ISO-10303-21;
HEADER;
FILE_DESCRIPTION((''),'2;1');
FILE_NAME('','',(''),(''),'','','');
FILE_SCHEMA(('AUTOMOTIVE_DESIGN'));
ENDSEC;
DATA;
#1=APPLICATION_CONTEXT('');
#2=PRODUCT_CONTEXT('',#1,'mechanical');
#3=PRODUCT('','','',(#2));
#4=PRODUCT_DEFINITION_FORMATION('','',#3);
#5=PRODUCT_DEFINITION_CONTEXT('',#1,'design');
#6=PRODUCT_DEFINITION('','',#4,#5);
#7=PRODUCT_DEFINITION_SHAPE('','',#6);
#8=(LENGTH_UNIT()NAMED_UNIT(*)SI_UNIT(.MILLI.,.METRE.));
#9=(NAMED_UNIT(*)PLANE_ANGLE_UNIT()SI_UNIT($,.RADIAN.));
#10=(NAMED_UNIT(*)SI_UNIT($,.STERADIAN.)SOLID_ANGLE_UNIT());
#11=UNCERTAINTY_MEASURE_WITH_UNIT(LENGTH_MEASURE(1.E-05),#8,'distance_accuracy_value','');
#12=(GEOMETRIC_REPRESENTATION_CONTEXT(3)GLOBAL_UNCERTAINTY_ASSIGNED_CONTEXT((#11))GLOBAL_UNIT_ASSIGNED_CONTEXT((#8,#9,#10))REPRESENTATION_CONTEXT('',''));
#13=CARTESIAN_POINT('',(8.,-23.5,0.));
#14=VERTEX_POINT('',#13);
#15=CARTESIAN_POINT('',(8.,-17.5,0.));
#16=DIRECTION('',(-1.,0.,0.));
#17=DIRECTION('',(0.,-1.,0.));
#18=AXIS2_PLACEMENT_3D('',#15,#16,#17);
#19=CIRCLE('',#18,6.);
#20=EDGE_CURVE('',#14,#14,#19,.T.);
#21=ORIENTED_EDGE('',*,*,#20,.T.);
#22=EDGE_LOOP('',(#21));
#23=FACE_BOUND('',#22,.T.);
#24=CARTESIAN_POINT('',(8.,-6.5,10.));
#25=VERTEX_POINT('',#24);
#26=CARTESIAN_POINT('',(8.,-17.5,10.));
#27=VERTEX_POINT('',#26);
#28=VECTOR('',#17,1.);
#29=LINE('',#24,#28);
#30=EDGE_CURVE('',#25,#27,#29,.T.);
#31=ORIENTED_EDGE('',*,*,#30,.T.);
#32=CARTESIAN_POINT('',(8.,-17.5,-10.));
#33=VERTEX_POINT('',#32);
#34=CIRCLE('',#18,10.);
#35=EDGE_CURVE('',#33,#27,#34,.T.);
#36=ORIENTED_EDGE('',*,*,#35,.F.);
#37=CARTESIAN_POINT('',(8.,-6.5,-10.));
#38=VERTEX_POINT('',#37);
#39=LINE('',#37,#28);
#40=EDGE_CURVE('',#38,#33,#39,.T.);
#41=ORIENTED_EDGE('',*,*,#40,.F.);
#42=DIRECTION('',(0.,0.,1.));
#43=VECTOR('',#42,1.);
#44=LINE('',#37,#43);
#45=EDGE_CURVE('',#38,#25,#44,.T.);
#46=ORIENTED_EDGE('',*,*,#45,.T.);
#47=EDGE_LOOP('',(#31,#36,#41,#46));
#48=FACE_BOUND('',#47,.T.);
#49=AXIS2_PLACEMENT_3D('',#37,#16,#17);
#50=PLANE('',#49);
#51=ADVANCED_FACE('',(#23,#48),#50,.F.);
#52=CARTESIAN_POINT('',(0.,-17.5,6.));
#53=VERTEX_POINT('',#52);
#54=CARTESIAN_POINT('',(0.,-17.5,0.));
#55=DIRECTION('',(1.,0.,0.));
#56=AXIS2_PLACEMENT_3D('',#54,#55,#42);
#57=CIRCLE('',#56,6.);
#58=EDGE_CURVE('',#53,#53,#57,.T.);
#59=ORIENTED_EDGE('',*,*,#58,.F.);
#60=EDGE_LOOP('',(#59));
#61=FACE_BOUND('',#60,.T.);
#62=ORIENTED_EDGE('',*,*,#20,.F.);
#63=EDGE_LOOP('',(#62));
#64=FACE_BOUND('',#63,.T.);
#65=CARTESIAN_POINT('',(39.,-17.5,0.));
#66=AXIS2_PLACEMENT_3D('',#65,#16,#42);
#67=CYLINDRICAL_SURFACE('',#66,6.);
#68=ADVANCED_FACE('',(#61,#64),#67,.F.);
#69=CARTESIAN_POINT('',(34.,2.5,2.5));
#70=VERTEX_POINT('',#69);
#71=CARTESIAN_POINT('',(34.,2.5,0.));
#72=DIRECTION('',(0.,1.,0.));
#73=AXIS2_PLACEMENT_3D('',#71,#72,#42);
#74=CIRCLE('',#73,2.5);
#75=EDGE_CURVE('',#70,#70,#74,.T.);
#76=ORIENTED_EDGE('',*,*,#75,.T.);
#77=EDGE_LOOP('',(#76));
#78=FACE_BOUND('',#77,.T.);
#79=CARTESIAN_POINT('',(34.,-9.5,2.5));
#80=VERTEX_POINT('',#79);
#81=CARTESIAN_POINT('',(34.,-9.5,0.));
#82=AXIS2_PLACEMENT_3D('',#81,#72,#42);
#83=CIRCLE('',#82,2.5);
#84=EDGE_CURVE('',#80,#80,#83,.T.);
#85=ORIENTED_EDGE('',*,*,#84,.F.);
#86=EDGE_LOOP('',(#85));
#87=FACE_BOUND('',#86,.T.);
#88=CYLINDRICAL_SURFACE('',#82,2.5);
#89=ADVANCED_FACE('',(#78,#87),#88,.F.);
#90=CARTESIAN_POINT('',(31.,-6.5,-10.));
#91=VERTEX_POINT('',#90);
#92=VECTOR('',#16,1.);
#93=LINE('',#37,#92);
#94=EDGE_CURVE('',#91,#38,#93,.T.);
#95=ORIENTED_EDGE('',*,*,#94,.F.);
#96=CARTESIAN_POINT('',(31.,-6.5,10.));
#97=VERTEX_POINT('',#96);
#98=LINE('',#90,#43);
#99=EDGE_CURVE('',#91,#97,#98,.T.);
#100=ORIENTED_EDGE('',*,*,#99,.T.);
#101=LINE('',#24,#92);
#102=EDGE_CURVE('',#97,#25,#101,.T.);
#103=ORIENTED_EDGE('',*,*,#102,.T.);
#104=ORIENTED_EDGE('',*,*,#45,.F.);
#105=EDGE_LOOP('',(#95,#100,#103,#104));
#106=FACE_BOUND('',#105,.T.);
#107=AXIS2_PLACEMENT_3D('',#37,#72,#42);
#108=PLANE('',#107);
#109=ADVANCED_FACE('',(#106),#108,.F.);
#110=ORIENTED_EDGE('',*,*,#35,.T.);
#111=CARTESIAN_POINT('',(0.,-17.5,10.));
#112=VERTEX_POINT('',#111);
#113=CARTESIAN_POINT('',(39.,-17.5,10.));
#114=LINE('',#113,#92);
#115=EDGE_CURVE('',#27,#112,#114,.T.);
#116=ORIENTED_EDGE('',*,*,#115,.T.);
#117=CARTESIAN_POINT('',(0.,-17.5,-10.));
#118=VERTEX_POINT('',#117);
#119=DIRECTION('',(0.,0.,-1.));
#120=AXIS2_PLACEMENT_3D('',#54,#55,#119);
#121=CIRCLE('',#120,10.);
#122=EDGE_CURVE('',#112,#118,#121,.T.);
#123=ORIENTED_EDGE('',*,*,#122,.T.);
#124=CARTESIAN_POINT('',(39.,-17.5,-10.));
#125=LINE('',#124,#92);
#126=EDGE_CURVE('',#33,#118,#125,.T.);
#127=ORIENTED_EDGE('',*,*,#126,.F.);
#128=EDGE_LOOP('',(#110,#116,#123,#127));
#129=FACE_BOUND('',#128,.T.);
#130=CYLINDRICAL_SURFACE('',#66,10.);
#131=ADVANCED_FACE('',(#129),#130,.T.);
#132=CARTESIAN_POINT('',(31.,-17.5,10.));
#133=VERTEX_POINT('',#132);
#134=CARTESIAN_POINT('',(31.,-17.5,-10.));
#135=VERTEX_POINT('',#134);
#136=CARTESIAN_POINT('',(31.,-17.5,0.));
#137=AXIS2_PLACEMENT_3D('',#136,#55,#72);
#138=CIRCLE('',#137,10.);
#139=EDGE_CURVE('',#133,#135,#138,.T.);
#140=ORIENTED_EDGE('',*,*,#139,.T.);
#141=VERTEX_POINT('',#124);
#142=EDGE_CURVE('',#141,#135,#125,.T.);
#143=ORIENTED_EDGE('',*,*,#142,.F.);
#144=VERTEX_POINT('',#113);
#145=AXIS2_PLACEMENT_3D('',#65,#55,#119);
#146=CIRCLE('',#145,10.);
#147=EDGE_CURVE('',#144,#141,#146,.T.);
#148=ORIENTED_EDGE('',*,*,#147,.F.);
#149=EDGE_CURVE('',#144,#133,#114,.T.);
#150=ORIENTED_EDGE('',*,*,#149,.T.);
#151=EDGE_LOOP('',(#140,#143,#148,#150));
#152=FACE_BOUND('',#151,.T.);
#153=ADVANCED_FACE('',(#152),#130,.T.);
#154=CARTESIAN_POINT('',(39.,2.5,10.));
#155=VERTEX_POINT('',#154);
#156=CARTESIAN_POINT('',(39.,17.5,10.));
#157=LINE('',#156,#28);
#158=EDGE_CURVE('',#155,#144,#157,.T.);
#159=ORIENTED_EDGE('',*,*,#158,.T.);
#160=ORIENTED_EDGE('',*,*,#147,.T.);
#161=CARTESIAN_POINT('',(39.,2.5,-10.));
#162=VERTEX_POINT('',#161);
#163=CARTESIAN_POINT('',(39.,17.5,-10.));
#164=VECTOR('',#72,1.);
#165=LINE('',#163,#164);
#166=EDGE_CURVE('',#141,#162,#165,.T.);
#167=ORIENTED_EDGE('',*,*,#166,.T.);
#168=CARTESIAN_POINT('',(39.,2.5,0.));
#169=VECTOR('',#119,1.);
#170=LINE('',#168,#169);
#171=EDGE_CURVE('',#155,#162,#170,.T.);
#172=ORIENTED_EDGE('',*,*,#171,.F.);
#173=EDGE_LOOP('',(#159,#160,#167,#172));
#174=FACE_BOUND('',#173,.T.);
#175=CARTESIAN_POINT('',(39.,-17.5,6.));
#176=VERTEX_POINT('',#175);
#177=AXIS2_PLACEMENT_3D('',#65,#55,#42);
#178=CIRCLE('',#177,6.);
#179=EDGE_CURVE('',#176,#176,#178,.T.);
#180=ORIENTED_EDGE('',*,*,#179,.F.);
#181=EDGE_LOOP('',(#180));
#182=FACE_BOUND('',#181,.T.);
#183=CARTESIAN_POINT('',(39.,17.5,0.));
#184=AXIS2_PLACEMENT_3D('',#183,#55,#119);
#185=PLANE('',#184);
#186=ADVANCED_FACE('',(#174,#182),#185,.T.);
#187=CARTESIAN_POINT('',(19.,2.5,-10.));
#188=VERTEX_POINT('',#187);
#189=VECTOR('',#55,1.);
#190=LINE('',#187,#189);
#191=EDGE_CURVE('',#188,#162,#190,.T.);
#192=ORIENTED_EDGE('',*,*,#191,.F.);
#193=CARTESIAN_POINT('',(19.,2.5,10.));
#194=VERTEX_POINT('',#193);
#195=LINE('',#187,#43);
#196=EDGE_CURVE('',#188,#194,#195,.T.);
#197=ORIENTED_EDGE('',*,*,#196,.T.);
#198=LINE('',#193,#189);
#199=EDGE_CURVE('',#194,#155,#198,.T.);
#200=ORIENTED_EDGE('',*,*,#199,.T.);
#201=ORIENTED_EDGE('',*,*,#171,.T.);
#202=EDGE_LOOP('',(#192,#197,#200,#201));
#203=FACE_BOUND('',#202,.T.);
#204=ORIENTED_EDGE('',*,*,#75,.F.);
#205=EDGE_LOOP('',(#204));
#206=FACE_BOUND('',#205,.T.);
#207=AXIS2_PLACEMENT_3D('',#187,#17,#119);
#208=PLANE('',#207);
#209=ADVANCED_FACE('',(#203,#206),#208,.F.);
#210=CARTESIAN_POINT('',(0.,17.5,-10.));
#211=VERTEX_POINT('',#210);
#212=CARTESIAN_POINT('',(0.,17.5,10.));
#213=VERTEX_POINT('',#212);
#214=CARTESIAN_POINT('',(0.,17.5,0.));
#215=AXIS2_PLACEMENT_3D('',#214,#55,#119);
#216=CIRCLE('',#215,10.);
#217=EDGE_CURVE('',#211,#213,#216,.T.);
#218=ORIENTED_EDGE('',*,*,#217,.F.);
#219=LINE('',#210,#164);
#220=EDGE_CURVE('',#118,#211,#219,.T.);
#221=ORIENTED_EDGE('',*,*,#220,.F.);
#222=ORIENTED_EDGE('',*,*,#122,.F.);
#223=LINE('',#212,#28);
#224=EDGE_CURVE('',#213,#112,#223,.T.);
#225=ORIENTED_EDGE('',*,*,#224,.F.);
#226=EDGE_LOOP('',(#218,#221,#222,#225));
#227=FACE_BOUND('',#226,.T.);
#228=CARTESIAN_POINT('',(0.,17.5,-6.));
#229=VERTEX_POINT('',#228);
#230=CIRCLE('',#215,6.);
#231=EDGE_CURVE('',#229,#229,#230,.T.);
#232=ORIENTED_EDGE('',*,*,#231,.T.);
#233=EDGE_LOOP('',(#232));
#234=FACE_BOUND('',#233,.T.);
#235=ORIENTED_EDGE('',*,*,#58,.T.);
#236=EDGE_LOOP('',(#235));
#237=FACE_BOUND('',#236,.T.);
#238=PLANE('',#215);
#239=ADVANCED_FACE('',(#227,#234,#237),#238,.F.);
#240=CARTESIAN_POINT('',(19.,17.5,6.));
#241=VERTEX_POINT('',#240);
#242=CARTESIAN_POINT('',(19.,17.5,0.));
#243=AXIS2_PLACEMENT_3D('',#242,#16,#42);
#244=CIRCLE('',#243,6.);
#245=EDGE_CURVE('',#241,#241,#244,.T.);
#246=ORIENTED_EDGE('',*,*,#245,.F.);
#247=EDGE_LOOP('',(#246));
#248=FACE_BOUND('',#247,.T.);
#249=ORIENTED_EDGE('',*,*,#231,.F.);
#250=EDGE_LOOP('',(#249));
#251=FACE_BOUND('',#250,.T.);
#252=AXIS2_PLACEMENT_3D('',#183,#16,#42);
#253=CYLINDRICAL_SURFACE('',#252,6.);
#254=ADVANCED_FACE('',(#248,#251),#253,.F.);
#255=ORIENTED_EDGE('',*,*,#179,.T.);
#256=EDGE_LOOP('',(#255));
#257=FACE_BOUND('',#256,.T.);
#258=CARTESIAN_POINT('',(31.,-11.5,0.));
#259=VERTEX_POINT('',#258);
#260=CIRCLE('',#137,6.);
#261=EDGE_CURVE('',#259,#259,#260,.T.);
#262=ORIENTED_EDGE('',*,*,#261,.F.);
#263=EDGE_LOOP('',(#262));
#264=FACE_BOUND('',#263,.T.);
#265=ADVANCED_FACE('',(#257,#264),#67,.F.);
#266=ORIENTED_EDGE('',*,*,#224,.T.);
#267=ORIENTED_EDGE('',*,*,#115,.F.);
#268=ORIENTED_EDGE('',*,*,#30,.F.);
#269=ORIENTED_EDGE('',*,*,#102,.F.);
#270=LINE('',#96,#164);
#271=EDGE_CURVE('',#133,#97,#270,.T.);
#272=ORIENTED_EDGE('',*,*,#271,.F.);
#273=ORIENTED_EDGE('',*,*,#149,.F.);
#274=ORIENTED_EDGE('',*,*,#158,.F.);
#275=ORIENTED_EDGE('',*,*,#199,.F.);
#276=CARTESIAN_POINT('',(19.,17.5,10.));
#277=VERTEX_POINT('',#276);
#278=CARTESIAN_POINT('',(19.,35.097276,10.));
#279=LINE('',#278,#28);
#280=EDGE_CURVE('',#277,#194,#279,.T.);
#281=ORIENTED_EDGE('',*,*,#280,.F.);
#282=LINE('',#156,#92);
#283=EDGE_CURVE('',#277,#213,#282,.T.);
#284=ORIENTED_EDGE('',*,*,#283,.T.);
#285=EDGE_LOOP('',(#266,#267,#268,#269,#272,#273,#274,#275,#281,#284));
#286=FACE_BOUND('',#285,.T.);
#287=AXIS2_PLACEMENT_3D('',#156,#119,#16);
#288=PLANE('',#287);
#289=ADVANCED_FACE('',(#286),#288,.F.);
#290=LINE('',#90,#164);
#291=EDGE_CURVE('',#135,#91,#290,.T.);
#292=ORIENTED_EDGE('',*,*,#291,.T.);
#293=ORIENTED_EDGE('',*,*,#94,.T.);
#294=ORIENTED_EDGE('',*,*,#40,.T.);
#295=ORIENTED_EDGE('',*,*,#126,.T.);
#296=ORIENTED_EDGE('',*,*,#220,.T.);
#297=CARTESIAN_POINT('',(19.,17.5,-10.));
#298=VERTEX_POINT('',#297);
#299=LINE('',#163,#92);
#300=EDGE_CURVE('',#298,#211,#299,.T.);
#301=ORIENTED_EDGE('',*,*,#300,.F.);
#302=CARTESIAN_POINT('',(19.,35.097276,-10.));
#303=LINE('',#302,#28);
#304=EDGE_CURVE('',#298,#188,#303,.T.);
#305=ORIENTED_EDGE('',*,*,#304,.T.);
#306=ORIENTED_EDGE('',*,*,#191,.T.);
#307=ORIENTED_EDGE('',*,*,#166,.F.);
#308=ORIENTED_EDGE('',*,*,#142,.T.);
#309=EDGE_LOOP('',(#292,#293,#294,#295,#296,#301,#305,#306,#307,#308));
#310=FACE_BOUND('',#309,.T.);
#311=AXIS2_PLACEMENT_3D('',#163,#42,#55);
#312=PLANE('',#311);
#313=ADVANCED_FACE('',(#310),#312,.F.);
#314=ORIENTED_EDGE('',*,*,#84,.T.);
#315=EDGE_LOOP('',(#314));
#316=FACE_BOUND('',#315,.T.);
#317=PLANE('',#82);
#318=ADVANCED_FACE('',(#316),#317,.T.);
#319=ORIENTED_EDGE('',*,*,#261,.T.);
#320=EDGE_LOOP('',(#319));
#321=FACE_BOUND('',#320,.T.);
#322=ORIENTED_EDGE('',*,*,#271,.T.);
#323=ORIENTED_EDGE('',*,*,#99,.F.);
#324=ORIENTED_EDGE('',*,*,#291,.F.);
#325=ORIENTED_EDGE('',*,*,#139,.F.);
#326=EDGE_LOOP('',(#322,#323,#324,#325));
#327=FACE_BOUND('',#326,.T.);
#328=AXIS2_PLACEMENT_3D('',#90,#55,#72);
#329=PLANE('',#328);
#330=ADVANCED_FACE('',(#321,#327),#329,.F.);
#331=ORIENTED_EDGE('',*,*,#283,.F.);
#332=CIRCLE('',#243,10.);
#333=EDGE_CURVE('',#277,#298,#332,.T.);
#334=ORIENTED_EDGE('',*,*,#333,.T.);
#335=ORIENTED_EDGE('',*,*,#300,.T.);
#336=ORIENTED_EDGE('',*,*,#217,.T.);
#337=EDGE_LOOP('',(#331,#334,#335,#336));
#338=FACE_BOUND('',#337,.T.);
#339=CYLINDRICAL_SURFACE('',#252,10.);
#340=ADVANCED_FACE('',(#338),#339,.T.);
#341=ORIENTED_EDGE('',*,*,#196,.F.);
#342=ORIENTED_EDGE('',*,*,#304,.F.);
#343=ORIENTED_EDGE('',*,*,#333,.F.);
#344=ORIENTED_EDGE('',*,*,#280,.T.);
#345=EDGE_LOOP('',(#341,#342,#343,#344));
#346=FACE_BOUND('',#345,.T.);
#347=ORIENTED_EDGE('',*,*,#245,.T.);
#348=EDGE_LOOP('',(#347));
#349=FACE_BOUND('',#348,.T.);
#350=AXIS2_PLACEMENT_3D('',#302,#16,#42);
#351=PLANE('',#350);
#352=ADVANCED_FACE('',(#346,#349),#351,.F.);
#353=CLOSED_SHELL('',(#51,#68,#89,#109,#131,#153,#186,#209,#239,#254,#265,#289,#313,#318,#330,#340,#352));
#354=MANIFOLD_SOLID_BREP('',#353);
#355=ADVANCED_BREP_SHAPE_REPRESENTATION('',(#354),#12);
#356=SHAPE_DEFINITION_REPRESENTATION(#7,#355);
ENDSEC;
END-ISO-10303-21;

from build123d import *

# Parameters (mm, degrees)
SKETCH_1_R               = 6
EXTRUDE_1_DEPTH          = 39
CUT_EXTRUDE_1_DEPTH      = 49.757050772
CUT_EXTRUDE_1_DEPTH_BACK = 49.757050772
SKETCH_2_W               = 23
SKETCH_2_H               = 34.092407746
CUT_EXTRUDE_2_DEPTH      = 49.757050772
CUT_EXTRUDE_2_DEPTH_BACK = 49.757050772
SKETCH_3_W               = 43.713213687
SKETCH_3_H               = 32.597275916
SKETCH_4_R               = 2.5
CUT_EXTRUDE_3_DEPTH      = 12


with BuildPart() as part:
    # Эскиз1 → Бобышка-Вытянуть1 (new body)
    with BuildSketch(Plane(origin=(0, 0, 0), x_dir=(0, 0, -1), z_dir=(1, 0, 0))):
        with BuildLine():
            Line((10, 17.5), (10, -17.5))
            ThreePointArc((10, -17.5), (0, -27.5), (-10, -17.5))
            Line((-10, -17.5), (-10, 17.5))
            ThreePointArc((-10, 17.5), (0, 27.5), (10, 17.5))
        make_face()
        with Locations((0, 17.5)):
            Circle(SKETCH_1_R, mode=Mode.SUBTRACT)
        with Locations(Location((0, -17.5, 0), (0, 0, 180))):
            Circle(SKETCH_1_R, mode=Mode.SUBTRACT)
    extrude(amount=EXTRUDE_1_DEPTH)

    # Эскиз2 → Вырез-Вытянуть1 (cut, two sides: drawn at the far end of the back side and taken through both)
    with BuildSketch(Plane.XY.offset(-CUT_EXTRUDE_1_DEPTH_BACK)):
        with Locations((19.5, -23.546203873)):
            Rectangle(SKETCH_2_W, SKETCH_2_H)
    extrude(amount=CUT_EXTRUDE_1_DEPTH + CUT_EXTRUDE_1_DEPTH_BACK, mode=Mode.SUBTRACT)

    # Эскиз3 → Вырез-Вытянуть2 (cut, two sides: drawn at the far end of the back side and taken through both)
    with BuildSketch(Plane.XY.offset(-CUT_EXTRUDE_2_DEPTH_BACK)):
        with Locations((40.856606844, 18.798637958)):
            Rectangle(SKETCH_3_W, SKETCH_3_H)
    extrude(amount=CUT_EXTRUDE_2_DEPTH + CUT_EXTRUDE_2_DEPTH_BACK, mode=Mode.SUBTRACT)

    # Эскиз4 → Вырез-Вытянуть3 (cut)
    with BuildSketch(Plane(origin=(0, 2.5, 0), x_dir=(1, 0, 0), z_dir=(0, 1, 0))):
        with Locations(Location((34, 0, 0), (0, 0, 270))):
            Circle(SKETCH_4_R)
    extrude(amount=-CUT_EXTRUDE_3_DEPTH, mode=Mode.SUBTRACT)


solid = part.part
